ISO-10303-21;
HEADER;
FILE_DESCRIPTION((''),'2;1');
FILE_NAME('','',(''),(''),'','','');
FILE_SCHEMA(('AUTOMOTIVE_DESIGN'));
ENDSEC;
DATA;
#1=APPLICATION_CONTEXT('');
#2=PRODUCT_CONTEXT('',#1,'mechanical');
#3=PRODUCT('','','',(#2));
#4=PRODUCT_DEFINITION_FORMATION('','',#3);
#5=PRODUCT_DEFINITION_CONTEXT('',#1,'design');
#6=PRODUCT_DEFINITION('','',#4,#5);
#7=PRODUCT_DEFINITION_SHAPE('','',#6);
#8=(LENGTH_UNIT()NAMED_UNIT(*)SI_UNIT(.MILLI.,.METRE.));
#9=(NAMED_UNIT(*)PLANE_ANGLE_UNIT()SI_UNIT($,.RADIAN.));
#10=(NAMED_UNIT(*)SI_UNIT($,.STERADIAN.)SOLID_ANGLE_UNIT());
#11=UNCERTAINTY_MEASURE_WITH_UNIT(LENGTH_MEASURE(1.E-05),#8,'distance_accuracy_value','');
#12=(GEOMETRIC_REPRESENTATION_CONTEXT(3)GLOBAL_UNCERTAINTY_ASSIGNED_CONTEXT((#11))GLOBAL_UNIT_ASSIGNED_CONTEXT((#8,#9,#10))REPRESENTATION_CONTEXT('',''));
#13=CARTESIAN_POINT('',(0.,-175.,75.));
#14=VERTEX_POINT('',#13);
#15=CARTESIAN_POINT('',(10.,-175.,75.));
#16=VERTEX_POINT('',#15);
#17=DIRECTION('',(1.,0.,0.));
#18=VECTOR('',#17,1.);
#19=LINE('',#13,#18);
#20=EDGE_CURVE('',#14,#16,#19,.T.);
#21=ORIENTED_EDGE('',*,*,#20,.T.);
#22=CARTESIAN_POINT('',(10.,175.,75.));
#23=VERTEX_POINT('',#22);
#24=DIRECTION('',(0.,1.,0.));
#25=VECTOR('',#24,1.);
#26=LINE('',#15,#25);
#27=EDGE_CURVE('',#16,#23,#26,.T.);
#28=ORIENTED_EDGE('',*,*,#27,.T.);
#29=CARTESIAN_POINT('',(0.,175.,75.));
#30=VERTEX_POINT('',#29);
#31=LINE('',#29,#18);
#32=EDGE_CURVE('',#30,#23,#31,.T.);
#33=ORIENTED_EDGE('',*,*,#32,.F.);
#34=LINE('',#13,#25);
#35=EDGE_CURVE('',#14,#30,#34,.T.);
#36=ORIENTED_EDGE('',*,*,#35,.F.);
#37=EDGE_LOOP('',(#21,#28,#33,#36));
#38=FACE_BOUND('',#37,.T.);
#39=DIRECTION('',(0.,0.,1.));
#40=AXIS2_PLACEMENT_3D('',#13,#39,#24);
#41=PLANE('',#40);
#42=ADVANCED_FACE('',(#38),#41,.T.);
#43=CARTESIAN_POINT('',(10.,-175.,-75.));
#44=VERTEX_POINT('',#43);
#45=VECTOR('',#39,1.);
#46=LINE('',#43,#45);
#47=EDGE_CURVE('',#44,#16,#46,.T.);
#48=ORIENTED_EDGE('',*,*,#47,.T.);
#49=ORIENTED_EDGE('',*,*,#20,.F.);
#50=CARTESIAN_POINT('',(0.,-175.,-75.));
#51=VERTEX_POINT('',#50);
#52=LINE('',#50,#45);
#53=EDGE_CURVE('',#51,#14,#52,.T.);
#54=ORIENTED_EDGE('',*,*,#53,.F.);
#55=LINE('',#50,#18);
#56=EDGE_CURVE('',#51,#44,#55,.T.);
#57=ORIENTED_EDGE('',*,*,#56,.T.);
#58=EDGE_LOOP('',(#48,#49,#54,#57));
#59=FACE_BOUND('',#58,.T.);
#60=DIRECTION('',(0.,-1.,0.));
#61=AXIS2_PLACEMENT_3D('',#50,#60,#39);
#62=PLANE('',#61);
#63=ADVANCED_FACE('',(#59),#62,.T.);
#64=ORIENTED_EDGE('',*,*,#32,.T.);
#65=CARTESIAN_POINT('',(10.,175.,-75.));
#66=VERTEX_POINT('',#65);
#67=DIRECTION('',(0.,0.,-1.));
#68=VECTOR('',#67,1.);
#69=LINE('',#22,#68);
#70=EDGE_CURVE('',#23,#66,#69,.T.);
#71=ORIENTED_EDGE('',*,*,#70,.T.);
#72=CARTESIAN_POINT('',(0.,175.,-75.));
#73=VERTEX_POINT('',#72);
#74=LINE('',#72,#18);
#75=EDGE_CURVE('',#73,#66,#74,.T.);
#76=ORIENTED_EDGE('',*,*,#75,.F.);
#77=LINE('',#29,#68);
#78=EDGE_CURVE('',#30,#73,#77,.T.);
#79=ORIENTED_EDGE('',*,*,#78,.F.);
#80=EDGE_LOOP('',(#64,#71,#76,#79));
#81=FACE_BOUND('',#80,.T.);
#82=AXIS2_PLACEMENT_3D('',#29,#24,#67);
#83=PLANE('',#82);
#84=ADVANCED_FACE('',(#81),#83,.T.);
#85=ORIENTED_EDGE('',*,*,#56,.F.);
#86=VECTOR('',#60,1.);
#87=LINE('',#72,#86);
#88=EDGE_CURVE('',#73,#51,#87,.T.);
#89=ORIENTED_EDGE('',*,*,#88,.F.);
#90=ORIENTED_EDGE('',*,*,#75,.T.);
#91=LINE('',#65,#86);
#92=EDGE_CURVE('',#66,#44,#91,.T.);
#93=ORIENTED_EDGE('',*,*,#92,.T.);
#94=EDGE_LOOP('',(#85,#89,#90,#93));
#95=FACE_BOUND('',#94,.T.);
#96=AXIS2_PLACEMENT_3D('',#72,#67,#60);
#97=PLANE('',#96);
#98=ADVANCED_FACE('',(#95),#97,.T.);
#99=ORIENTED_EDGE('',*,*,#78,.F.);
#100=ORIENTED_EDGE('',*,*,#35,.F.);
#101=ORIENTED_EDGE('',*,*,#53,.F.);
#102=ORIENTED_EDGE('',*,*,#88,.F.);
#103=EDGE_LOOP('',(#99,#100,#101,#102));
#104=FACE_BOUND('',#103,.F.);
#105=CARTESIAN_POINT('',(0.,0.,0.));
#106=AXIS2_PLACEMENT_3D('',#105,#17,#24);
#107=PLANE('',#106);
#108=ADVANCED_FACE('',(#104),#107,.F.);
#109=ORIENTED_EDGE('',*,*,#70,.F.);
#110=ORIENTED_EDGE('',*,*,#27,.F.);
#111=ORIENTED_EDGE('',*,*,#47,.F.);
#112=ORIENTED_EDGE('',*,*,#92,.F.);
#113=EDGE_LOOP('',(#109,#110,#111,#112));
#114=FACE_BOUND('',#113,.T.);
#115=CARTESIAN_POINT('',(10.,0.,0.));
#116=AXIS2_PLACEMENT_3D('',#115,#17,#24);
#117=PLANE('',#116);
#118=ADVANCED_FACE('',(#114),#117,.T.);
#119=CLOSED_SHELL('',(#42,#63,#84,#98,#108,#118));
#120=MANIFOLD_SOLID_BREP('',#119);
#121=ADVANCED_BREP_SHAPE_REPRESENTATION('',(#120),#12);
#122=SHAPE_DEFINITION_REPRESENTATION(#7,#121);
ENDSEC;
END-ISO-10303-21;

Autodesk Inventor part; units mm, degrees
ref_plane "YZ Plane" through (0, 0, 0) normal (1, 0, 0) x (0, 1, 0)
ref_plane "XZ Plane" through (0, 0, 0) normal (0, 1, 0) x (-1, 0, 0)
ref_plane "XY Plane" through (0, 0, 0) normal (0, 0, 1) x (1, 0, 0)
sketch "Sketch1" plane through (0, 0, 0) normal (1, 0, 0) x (0, 1, 0)
  line L0 (-175, 75) -> (175, 75)
  line L1 (175, 75) -> (175, -75)
  line L2 (175, -75) -> (-175, -75)
  line L3 (-175, -75) -> (-175, 75)
  line L4 (-175, 75) -> (175, -75) construction
  line L5 (175, 75) -> (-175, -75) construction
  point P0 (0, 0)
  dimension "d0" = 350
  dimension "d1" = 150
extrude "Extrusion1" add sketch "Sketch1" along normal blind 10
